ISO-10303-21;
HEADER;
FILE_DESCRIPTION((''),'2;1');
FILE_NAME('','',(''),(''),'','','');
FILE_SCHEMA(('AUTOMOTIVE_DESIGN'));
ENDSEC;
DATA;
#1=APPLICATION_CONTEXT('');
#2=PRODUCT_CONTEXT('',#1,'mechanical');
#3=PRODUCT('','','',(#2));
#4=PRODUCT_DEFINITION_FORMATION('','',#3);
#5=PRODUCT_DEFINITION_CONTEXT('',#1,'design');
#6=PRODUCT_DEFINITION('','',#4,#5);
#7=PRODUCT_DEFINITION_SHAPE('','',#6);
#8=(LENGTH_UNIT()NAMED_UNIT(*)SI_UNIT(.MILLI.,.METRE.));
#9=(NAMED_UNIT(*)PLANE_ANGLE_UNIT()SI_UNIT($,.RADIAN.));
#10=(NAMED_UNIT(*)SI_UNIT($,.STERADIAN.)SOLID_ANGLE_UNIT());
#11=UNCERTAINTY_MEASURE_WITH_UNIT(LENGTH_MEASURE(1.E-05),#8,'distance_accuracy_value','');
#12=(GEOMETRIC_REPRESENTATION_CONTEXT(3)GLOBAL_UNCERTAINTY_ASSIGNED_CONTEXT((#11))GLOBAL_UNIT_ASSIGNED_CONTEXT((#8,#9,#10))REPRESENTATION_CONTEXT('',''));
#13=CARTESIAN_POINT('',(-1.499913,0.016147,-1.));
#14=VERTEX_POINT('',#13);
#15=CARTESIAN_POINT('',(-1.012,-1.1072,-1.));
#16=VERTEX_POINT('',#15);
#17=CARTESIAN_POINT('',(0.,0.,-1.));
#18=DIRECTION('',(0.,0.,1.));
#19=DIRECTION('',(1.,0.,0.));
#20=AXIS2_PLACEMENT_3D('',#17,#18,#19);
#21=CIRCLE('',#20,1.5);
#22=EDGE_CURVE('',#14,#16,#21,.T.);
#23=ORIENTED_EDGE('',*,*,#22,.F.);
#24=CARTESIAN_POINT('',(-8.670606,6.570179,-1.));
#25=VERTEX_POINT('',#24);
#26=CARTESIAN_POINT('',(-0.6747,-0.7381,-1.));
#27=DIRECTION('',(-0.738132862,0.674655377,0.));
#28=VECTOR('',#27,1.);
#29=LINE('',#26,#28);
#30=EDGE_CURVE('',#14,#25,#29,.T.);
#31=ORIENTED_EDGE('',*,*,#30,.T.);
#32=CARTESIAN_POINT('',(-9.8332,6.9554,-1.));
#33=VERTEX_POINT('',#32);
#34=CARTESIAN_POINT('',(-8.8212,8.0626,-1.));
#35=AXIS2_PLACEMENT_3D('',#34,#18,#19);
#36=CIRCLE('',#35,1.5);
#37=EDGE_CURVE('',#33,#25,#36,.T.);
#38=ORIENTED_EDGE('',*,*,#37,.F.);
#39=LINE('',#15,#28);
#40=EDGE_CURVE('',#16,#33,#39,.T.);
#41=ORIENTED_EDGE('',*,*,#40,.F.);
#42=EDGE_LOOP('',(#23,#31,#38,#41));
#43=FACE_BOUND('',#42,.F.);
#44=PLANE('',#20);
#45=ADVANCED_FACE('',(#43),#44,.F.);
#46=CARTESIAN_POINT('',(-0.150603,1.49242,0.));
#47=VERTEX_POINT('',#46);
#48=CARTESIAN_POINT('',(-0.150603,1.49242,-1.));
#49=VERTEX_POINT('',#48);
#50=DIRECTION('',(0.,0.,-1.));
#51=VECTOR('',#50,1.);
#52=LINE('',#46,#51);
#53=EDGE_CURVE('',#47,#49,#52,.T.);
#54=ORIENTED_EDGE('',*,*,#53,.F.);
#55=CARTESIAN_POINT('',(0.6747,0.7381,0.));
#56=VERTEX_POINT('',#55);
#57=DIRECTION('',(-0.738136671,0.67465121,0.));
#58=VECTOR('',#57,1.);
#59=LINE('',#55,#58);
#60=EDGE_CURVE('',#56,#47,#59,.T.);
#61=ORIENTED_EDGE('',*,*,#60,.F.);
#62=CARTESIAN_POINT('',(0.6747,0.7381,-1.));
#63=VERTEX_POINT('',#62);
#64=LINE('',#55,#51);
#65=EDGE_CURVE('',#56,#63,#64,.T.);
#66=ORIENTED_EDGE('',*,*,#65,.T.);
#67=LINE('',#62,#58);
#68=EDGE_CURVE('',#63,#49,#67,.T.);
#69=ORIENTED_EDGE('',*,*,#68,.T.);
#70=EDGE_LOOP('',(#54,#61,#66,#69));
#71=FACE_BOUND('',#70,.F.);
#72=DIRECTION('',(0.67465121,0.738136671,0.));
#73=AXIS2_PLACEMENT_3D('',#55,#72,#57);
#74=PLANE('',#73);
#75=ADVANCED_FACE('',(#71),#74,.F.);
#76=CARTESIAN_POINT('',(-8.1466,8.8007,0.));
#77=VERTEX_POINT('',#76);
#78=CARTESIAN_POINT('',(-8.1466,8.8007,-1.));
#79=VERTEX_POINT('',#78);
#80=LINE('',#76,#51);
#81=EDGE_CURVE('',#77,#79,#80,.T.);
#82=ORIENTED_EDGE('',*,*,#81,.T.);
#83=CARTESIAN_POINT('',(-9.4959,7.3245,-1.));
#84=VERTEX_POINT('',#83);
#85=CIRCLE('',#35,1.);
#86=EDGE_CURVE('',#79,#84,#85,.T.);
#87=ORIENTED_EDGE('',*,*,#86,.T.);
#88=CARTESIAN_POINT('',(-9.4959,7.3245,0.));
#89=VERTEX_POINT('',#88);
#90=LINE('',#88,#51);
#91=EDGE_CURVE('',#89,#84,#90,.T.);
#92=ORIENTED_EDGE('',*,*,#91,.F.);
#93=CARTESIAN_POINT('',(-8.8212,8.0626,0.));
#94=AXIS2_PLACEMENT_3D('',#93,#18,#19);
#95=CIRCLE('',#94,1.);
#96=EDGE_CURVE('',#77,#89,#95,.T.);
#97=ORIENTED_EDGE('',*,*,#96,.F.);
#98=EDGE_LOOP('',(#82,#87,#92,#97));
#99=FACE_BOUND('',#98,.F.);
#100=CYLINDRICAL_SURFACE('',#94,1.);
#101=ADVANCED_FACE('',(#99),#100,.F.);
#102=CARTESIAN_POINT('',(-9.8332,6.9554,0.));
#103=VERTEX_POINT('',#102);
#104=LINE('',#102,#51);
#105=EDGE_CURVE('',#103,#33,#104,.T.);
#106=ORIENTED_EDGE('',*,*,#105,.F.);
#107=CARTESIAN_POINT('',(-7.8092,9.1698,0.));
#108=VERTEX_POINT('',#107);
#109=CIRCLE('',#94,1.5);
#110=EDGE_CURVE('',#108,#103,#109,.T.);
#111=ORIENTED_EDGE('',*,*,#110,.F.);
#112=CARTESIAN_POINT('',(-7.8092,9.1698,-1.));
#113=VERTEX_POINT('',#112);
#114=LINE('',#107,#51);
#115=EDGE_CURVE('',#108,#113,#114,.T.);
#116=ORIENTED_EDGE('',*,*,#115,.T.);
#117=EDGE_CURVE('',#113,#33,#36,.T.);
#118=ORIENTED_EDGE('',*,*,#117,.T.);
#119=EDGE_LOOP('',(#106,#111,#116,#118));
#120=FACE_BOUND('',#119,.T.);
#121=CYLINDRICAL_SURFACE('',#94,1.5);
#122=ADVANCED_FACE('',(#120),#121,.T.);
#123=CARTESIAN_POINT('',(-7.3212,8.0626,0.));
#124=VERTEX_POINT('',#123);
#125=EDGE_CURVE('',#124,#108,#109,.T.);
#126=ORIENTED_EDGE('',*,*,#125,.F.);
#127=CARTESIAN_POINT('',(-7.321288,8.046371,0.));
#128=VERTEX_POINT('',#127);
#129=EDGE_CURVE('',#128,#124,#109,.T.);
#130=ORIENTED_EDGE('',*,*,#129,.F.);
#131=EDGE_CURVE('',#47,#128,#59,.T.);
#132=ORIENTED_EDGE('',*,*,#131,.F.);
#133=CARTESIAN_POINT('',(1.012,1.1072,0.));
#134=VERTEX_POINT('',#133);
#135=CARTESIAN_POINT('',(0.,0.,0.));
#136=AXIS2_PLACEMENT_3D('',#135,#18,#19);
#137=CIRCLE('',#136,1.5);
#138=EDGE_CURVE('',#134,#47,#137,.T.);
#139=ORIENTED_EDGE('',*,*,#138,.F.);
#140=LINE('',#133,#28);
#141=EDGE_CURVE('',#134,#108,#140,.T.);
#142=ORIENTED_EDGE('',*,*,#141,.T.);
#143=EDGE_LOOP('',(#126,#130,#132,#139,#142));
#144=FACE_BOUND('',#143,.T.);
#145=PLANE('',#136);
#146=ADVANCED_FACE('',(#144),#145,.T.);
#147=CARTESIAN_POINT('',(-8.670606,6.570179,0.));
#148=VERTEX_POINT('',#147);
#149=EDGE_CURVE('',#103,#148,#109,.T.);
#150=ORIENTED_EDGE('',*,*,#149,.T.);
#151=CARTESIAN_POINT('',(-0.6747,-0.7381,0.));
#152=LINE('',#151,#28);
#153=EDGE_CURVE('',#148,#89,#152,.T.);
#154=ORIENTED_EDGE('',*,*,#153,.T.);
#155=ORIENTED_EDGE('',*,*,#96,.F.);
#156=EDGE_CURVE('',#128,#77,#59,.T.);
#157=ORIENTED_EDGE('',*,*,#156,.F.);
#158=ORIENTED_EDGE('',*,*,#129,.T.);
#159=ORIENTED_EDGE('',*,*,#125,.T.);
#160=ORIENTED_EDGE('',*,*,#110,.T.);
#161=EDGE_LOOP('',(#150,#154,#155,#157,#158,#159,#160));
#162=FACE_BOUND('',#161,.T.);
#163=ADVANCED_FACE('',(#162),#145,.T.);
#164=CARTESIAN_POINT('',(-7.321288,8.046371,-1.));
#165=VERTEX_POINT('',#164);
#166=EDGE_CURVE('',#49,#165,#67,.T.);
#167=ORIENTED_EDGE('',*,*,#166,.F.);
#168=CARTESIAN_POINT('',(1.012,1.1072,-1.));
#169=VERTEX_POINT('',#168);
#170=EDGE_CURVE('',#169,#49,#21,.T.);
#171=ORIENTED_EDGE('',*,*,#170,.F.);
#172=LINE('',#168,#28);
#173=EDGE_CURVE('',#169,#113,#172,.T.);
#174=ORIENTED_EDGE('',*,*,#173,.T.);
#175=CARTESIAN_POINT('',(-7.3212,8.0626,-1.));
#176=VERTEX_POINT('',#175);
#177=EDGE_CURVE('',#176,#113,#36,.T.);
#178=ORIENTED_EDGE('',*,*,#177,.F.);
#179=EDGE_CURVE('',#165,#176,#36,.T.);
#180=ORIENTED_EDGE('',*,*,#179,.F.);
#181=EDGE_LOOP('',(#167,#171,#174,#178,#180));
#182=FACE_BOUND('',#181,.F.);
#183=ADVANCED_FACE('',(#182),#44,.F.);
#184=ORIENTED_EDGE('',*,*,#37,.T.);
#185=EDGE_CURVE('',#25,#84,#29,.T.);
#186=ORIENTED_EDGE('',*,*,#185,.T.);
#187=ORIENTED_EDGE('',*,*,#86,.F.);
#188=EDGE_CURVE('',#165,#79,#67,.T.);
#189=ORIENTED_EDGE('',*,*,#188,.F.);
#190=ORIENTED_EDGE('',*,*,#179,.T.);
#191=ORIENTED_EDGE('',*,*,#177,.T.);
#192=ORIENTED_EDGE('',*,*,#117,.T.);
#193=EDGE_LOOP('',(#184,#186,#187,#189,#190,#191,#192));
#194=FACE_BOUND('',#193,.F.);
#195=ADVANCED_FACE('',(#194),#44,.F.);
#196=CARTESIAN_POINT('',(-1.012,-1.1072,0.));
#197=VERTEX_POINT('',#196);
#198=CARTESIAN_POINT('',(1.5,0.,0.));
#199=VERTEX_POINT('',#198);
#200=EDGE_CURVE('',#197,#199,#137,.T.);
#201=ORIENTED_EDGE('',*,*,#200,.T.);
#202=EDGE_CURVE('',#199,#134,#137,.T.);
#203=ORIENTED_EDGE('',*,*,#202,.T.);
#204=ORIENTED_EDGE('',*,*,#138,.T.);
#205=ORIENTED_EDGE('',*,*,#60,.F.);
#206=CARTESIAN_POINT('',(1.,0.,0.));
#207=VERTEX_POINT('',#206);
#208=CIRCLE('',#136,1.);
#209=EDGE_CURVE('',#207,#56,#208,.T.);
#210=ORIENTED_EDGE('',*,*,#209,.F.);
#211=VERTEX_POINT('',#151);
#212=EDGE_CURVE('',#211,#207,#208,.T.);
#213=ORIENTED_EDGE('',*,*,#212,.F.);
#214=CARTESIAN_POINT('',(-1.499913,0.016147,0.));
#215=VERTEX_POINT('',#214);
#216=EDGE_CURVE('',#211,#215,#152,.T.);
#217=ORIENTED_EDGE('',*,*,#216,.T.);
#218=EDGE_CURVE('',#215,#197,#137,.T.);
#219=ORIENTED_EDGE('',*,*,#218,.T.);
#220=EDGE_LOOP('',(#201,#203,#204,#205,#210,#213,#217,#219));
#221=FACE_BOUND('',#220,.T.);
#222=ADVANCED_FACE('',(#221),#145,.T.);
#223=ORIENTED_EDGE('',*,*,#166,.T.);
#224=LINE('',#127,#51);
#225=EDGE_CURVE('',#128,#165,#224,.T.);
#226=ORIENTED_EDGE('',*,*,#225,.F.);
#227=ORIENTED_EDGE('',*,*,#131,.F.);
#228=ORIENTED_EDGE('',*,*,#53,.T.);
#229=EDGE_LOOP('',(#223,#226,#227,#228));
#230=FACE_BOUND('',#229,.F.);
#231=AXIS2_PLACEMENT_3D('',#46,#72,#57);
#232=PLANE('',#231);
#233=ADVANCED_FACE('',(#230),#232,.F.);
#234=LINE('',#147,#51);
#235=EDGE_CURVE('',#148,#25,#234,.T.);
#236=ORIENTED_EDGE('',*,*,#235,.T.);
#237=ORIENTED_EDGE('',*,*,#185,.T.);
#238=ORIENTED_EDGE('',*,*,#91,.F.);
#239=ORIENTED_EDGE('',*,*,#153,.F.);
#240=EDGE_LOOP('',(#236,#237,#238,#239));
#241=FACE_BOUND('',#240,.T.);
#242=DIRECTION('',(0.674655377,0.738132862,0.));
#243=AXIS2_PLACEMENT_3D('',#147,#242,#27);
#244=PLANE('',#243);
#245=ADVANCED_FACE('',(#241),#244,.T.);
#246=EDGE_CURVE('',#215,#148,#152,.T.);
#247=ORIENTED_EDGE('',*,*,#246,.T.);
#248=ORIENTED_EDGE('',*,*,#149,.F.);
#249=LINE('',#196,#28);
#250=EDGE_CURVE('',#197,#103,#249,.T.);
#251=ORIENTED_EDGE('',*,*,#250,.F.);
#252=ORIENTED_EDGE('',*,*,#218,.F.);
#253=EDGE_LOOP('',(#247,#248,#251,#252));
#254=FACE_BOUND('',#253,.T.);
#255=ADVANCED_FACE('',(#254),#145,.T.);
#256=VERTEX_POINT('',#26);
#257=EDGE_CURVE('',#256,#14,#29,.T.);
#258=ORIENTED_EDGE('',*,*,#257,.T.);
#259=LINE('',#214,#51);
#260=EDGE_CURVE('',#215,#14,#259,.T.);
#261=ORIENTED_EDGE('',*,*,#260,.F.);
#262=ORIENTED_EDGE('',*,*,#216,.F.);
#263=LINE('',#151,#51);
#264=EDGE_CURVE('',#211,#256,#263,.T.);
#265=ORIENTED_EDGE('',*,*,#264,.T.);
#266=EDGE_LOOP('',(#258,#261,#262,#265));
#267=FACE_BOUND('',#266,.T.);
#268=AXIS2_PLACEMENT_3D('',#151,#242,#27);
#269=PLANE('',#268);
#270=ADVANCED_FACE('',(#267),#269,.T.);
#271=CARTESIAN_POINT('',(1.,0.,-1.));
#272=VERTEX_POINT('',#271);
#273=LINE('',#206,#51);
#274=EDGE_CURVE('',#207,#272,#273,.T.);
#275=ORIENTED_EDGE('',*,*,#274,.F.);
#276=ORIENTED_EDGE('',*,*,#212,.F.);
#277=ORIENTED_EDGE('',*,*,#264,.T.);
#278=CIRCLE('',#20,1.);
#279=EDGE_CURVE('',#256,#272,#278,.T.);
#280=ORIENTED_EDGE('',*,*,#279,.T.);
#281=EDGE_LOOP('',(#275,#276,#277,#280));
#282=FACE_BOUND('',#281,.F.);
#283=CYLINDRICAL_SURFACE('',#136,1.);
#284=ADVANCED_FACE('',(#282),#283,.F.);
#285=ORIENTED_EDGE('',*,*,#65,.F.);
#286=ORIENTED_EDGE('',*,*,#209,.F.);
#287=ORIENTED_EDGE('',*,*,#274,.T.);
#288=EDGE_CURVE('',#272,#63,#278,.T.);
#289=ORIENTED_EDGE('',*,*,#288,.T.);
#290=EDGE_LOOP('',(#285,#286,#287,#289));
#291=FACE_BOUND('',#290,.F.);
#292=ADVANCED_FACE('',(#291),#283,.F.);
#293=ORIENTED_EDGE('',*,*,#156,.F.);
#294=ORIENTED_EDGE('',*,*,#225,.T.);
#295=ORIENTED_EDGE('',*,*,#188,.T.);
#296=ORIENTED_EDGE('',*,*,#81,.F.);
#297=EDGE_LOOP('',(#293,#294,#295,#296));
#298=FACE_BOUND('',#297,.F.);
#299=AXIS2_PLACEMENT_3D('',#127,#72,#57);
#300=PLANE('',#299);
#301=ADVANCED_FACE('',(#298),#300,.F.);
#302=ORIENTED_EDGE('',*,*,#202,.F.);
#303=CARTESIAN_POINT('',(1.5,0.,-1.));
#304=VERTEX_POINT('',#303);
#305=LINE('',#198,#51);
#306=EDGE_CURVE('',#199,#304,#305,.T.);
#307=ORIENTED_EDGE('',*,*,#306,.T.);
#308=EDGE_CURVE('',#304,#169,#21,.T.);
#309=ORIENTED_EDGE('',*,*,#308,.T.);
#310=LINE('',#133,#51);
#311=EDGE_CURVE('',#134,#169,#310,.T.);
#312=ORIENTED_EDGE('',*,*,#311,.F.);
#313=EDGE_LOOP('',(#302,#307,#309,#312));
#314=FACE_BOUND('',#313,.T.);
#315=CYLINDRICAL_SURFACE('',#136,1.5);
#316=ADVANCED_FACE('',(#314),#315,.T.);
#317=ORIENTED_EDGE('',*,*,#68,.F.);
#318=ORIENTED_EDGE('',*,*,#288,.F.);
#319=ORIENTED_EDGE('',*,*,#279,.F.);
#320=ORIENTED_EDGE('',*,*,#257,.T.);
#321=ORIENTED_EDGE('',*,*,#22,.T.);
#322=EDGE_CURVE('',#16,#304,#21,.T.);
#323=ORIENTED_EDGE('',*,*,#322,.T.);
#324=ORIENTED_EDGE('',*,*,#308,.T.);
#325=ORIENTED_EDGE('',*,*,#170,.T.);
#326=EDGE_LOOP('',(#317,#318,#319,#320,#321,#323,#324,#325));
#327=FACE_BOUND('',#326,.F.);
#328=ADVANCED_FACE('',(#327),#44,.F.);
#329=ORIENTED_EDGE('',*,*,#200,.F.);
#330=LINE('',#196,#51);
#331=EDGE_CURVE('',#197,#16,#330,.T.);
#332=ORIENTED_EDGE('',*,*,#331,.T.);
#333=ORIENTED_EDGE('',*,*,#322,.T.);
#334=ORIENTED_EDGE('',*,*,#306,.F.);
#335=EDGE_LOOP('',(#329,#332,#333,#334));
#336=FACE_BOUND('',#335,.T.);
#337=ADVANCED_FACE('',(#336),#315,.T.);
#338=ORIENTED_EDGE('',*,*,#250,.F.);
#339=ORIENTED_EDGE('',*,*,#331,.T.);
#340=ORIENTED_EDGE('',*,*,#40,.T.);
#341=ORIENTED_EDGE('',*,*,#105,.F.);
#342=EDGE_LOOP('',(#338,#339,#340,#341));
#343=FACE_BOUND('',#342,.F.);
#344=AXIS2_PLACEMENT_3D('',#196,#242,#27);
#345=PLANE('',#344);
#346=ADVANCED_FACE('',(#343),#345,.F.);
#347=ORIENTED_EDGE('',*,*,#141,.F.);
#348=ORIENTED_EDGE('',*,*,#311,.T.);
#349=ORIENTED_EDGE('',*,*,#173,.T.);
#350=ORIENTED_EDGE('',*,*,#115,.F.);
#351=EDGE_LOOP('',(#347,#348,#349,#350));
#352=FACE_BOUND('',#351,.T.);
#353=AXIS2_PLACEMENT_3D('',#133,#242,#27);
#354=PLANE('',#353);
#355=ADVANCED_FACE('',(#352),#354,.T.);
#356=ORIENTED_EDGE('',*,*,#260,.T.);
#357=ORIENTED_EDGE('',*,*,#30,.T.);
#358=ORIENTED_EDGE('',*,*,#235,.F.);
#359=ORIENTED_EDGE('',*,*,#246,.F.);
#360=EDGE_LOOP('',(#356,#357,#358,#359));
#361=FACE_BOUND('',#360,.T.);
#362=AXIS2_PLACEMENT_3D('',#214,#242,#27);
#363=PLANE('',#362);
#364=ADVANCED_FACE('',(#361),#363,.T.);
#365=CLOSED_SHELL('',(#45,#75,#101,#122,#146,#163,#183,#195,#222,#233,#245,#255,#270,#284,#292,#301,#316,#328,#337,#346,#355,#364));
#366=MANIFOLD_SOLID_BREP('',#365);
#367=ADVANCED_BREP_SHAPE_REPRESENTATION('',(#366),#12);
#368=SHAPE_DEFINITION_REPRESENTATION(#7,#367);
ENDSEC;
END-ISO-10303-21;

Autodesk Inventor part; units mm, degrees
ref_plane "YZ Plane" through (0, 0, 0) normal (1, 0, 0) x (0, 1, 0)
ref_plane "XZ Plane" through (0, 0, 0) normal (0, 1, 0) x (-1, 0, 0)
ref_plane "XY Plane" through (0, 0, 0) normal (0, 0, 1) x (1, 0, 0)
sketch "스케치2" plane through (0, 0, 0) normal (0, 0, 1) x (1, 0, 0)
  circle A0 centre (0, 0) radius 1 projected
  circle A1 centre (-8.8212, 8.0626) radius 1 projected
  line L0 (-0.6747, -0.7381) -> (-9.4959, 7.3245)
  line L1 (0.6747, 0.7381) -> (-8.1466, 8.8007)
  line L2 (-1.012, -1.1072) -> (-9.8332, 6.9554)
  line L3 (1.012, 1.1072) -> (-7.8092, 9.1698)
  circle A2 centre (0, 0) radius 1.5
  circle A3 centre (-8.8212, 8.0626) radius 1.5
  dimension "d0" = 0.5
  dimension "d1" = 0.5
  dimension "d2" = 0.5
  dimension "d3" = 0.5
extrude "돌출1" add sketch "스케치2" against normal blind 1 contours A0 L1 A2 L0 | L1 A3 L3 A2 | A2 L2 A3 L0 | L1 A1 L0 A3 picked at (0.2294, 1.2405) picked at (-9.0506, 6.8221)
properties part number "슬롯"
